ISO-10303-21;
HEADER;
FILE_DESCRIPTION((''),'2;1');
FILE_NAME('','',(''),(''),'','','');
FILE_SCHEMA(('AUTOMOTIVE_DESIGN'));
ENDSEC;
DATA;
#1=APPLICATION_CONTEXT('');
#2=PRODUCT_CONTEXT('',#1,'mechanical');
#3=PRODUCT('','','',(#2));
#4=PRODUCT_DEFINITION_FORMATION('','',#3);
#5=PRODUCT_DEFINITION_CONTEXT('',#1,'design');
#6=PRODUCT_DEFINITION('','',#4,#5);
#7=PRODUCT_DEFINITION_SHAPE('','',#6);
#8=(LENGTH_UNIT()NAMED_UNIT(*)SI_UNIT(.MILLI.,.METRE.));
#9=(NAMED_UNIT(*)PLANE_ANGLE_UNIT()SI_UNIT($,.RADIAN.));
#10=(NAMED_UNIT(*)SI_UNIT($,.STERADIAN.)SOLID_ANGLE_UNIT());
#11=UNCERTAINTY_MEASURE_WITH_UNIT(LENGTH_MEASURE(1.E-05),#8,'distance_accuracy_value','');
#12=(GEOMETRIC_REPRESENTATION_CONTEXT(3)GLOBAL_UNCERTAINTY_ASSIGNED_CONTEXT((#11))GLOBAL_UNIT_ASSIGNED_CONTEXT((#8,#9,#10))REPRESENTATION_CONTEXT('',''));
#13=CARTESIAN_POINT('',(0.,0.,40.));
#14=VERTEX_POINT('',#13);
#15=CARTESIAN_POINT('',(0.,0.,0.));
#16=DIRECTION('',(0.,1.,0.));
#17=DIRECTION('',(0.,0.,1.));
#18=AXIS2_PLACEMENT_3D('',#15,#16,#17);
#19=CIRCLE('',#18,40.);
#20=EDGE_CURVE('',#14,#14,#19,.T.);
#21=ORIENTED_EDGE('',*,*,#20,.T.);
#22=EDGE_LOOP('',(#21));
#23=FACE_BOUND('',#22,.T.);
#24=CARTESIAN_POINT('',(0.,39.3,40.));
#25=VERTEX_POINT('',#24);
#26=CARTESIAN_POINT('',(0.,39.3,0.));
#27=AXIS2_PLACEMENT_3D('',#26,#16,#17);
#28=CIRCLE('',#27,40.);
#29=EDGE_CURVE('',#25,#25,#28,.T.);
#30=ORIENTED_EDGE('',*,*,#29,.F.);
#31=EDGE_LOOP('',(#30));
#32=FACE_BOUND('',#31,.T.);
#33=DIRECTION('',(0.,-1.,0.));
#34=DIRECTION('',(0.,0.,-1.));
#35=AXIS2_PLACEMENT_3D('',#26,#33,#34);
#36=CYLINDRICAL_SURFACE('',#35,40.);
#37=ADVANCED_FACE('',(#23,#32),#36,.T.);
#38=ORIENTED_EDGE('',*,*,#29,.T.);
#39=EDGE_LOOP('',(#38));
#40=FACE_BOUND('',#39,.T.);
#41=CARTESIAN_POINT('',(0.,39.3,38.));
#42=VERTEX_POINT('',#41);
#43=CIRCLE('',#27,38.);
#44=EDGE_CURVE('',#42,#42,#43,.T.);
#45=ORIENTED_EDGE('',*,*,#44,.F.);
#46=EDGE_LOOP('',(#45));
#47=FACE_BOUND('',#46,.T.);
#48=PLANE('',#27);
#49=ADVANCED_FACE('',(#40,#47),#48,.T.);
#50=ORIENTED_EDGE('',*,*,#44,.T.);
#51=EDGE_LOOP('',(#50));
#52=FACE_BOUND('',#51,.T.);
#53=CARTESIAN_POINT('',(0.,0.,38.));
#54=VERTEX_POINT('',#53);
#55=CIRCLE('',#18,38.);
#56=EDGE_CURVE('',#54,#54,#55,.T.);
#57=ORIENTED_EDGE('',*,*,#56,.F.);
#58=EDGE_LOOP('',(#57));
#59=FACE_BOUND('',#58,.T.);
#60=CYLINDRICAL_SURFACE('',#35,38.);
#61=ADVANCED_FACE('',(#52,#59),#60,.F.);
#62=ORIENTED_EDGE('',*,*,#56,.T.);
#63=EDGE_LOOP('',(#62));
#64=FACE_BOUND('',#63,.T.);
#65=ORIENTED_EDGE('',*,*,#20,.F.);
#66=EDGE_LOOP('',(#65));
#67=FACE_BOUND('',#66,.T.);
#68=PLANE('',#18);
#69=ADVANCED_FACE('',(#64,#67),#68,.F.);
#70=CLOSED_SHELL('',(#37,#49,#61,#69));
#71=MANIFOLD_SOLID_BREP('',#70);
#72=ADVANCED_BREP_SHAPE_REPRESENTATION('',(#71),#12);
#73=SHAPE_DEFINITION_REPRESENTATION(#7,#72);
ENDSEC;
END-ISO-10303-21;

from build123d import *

# Parameters (mm, degrees)
SKETCH_1_R      = 40
SKETCH_1_R_2    = 38
EXTRUDE_1_DEPTH = 39.3


with BuildPart() as part:
    # 草图1 → 凸台-拉伸1 (new body)
    with BuildSketch(Plane(origin=(0, 0, 0), x_dir=(1, 0, 0), z_dir=(0, 1, 0))):
        Circle(SKETCH_1_R)
        Circle(SKETCH_1_R_2, mode=Mode.SUBTRACT)
    extrude(amount=EXTRUDE_1_DEPTH)


solid = part.part
